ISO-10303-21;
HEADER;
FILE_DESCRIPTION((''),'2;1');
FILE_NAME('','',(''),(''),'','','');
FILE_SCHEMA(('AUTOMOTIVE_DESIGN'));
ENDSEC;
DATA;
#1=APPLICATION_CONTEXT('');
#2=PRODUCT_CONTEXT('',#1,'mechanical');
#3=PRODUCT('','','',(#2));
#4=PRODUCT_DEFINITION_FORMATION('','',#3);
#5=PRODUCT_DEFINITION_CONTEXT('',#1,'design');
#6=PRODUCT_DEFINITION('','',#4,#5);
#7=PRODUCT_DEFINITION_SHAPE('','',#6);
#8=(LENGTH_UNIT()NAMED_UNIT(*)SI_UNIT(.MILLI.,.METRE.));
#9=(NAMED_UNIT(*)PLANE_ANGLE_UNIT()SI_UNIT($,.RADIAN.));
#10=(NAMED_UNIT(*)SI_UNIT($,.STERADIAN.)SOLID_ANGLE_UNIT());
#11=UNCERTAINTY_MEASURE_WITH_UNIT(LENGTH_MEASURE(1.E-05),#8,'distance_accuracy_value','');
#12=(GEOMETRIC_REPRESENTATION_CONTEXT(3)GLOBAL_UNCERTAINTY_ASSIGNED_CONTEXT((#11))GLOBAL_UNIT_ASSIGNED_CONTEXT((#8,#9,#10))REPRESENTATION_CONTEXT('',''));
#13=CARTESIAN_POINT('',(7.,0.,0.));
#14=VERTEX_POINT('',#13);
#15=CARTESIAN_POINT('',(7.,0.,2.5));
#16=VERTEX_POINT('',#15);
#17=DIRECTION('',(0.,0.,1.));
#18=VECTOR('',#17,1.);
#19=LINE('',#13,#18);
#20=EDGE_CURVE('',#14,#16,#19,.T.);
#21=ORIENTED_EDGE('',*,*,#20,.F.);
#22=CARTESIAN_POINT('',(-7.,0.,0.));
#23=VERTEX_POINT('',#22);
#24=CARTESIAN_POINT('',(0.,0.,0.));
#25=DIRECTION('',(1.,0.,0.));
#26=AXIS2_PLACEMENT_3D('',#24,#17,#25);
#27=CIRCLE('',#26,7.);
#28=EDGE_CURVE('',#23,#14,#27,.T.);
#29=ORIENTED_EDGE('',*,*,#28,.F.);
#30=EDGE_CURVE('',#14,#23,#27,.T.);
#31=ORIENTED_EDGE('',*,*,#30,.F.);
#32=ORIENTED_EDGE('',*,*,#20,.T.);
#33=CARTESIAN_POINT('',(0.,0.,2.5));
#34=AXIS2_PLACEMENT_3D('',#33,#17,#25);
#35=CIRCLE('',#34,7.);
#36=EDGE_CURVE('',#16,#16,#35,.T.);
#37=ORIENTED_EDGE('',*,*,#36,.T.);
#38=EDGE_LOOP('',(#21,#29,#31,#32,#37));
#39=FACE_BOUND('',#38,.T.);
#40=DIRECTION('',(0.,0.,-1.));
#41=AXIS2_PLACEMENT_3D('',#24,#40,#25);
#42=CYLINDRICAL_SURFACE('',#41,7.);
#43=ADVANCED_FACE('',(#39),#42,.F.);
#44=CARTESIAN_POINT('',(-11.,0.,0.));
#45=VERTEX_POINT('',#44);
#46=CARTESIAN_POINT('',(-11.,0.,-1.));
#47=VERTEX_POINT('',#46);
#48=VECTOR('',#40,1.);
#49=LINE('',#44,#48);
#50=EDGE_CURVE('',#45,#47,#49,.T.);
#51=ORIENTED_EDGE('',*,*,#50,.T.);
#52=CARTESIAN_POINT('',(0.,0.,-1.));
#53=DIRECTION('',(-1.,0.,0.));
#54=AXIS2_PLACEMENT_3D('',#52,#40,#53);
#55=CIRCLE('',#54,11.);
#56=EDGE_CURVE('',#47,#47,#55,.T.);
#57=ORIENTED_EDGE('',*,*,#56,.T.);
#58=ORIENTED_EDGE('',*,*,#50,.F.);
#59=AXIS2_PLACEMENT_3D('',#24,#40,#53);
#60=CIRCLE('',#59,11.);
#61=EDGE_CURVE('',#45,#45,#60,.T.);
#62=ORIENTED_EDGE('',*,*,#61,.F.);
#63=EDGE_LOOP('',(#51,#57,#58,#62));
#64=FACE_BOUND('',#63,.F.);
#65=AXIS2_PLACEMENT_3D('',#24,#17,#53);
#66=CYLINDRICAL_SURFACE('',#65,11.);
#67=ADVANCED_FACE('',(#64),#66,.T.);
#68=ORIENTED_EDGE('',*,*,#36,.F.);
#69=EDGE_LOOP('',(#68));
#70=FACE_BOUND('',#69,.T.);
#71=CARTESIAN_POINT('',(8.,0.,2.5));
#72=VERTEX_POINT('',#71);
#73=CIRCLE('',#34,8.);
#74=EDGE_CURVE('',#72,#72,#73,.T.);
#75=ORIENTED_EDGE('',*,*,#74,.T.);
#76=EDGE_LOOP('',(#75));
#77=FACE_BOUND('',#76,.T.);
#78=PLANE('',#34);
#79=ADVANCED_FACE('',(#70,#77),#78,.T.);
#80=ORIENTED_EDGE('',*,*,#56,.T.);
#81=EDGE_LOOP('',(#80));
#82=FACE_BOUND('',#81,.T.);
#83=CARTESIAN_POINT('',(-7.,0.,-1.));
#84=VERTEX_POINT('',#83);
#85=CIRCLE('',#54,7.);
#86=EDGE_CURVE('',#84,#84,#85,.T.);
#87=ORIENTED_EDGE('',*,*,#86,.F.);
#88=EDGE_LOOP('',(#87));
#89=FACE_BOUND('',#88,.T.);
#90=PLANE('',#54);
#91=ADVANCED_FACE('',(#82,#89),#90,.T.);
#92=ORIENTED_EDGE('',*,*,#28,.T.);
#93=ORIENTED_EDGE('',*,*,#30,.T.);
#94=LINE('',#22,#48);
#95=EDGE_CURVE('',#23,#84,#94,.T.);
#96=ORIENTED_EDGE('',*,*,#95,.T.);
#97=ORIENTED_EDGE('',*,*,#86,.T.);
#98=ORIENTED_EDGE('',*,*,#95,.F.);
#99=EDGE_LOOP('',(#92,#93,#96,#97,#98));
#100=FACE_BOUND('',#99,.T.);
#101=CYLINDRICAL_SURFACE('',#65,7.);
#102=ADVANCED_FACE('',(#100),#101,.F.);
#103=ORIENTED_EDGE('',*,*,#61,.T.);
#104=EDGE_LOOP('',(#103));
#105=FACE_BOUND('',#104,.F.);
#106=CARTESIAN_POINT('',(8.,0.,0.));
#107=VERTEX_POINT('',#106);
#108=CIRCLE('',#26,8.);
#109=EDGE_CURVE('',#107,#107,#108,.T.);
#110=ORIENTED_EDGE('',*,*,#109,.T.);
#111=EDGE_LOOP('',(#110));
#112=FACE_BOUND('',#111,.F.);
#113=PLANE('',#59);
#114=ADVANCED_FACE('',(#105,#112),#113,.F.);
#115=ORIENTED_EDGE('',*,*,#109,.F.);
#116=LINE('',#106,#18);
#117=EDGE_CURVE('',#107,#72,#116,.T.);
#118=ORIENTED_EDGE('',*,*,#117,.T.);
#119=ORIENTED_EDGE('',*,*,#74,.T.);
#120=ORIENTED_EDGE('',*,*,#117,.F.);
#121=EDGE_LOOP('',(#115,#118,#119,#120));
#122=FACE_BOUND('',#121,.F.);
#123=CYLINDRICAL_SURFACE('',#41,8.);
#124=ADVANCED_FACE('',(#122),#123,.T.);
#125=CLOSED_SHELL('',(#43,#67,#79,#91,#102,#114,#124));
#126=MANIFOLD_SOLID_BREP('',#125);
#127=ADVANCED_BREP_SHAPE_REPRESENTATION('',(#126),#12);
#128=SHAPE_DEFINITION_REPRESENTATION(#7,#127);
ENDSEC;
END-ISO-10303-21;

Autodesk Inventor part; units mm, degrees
ref_plane "YZ Plane" through (0, 0, 0) normal (1, 0, 0) x (0, 1, 0)
ref_plane "XZ Plane" through (0, 0, 0) normal (0, 1, 0) x (-1, 0, 0)
ref_plane "XY Plane" through (0, 0, 0) normal (0, 0, 1) x (1, 0, 0)
sketch "スケッチ1" plane through (0, 0, 0) normal (0, 0, 1) x (1, 0, 0)
  circle A0 centre (0, 0) radius 7
  circle A1 centre (0, 0) radius 8
  dimension "d0" = 14
  dimension "d1" = 16
extrude "押し出し1" add sketch "スケッチ1" along normal blind 2.5
sketch "スケッチ2" plane through (0, 0, 0) normal (0, 0, -1) x (-1, 0, 0)
  circle A0 centre (0, 0) radius 8 projected
  circle A1 centre (0, 0) radius 7 projected
  circle A2 centre (0, 0) radius 11
  dimension "d4" = 22
extrude "押し出し2" add sketch "スケッチ2" along normal blind 1 contours A0 | A2
properties part number "オイレスフランジ付き14162202.5" material "アセタール樹脂、黒"
